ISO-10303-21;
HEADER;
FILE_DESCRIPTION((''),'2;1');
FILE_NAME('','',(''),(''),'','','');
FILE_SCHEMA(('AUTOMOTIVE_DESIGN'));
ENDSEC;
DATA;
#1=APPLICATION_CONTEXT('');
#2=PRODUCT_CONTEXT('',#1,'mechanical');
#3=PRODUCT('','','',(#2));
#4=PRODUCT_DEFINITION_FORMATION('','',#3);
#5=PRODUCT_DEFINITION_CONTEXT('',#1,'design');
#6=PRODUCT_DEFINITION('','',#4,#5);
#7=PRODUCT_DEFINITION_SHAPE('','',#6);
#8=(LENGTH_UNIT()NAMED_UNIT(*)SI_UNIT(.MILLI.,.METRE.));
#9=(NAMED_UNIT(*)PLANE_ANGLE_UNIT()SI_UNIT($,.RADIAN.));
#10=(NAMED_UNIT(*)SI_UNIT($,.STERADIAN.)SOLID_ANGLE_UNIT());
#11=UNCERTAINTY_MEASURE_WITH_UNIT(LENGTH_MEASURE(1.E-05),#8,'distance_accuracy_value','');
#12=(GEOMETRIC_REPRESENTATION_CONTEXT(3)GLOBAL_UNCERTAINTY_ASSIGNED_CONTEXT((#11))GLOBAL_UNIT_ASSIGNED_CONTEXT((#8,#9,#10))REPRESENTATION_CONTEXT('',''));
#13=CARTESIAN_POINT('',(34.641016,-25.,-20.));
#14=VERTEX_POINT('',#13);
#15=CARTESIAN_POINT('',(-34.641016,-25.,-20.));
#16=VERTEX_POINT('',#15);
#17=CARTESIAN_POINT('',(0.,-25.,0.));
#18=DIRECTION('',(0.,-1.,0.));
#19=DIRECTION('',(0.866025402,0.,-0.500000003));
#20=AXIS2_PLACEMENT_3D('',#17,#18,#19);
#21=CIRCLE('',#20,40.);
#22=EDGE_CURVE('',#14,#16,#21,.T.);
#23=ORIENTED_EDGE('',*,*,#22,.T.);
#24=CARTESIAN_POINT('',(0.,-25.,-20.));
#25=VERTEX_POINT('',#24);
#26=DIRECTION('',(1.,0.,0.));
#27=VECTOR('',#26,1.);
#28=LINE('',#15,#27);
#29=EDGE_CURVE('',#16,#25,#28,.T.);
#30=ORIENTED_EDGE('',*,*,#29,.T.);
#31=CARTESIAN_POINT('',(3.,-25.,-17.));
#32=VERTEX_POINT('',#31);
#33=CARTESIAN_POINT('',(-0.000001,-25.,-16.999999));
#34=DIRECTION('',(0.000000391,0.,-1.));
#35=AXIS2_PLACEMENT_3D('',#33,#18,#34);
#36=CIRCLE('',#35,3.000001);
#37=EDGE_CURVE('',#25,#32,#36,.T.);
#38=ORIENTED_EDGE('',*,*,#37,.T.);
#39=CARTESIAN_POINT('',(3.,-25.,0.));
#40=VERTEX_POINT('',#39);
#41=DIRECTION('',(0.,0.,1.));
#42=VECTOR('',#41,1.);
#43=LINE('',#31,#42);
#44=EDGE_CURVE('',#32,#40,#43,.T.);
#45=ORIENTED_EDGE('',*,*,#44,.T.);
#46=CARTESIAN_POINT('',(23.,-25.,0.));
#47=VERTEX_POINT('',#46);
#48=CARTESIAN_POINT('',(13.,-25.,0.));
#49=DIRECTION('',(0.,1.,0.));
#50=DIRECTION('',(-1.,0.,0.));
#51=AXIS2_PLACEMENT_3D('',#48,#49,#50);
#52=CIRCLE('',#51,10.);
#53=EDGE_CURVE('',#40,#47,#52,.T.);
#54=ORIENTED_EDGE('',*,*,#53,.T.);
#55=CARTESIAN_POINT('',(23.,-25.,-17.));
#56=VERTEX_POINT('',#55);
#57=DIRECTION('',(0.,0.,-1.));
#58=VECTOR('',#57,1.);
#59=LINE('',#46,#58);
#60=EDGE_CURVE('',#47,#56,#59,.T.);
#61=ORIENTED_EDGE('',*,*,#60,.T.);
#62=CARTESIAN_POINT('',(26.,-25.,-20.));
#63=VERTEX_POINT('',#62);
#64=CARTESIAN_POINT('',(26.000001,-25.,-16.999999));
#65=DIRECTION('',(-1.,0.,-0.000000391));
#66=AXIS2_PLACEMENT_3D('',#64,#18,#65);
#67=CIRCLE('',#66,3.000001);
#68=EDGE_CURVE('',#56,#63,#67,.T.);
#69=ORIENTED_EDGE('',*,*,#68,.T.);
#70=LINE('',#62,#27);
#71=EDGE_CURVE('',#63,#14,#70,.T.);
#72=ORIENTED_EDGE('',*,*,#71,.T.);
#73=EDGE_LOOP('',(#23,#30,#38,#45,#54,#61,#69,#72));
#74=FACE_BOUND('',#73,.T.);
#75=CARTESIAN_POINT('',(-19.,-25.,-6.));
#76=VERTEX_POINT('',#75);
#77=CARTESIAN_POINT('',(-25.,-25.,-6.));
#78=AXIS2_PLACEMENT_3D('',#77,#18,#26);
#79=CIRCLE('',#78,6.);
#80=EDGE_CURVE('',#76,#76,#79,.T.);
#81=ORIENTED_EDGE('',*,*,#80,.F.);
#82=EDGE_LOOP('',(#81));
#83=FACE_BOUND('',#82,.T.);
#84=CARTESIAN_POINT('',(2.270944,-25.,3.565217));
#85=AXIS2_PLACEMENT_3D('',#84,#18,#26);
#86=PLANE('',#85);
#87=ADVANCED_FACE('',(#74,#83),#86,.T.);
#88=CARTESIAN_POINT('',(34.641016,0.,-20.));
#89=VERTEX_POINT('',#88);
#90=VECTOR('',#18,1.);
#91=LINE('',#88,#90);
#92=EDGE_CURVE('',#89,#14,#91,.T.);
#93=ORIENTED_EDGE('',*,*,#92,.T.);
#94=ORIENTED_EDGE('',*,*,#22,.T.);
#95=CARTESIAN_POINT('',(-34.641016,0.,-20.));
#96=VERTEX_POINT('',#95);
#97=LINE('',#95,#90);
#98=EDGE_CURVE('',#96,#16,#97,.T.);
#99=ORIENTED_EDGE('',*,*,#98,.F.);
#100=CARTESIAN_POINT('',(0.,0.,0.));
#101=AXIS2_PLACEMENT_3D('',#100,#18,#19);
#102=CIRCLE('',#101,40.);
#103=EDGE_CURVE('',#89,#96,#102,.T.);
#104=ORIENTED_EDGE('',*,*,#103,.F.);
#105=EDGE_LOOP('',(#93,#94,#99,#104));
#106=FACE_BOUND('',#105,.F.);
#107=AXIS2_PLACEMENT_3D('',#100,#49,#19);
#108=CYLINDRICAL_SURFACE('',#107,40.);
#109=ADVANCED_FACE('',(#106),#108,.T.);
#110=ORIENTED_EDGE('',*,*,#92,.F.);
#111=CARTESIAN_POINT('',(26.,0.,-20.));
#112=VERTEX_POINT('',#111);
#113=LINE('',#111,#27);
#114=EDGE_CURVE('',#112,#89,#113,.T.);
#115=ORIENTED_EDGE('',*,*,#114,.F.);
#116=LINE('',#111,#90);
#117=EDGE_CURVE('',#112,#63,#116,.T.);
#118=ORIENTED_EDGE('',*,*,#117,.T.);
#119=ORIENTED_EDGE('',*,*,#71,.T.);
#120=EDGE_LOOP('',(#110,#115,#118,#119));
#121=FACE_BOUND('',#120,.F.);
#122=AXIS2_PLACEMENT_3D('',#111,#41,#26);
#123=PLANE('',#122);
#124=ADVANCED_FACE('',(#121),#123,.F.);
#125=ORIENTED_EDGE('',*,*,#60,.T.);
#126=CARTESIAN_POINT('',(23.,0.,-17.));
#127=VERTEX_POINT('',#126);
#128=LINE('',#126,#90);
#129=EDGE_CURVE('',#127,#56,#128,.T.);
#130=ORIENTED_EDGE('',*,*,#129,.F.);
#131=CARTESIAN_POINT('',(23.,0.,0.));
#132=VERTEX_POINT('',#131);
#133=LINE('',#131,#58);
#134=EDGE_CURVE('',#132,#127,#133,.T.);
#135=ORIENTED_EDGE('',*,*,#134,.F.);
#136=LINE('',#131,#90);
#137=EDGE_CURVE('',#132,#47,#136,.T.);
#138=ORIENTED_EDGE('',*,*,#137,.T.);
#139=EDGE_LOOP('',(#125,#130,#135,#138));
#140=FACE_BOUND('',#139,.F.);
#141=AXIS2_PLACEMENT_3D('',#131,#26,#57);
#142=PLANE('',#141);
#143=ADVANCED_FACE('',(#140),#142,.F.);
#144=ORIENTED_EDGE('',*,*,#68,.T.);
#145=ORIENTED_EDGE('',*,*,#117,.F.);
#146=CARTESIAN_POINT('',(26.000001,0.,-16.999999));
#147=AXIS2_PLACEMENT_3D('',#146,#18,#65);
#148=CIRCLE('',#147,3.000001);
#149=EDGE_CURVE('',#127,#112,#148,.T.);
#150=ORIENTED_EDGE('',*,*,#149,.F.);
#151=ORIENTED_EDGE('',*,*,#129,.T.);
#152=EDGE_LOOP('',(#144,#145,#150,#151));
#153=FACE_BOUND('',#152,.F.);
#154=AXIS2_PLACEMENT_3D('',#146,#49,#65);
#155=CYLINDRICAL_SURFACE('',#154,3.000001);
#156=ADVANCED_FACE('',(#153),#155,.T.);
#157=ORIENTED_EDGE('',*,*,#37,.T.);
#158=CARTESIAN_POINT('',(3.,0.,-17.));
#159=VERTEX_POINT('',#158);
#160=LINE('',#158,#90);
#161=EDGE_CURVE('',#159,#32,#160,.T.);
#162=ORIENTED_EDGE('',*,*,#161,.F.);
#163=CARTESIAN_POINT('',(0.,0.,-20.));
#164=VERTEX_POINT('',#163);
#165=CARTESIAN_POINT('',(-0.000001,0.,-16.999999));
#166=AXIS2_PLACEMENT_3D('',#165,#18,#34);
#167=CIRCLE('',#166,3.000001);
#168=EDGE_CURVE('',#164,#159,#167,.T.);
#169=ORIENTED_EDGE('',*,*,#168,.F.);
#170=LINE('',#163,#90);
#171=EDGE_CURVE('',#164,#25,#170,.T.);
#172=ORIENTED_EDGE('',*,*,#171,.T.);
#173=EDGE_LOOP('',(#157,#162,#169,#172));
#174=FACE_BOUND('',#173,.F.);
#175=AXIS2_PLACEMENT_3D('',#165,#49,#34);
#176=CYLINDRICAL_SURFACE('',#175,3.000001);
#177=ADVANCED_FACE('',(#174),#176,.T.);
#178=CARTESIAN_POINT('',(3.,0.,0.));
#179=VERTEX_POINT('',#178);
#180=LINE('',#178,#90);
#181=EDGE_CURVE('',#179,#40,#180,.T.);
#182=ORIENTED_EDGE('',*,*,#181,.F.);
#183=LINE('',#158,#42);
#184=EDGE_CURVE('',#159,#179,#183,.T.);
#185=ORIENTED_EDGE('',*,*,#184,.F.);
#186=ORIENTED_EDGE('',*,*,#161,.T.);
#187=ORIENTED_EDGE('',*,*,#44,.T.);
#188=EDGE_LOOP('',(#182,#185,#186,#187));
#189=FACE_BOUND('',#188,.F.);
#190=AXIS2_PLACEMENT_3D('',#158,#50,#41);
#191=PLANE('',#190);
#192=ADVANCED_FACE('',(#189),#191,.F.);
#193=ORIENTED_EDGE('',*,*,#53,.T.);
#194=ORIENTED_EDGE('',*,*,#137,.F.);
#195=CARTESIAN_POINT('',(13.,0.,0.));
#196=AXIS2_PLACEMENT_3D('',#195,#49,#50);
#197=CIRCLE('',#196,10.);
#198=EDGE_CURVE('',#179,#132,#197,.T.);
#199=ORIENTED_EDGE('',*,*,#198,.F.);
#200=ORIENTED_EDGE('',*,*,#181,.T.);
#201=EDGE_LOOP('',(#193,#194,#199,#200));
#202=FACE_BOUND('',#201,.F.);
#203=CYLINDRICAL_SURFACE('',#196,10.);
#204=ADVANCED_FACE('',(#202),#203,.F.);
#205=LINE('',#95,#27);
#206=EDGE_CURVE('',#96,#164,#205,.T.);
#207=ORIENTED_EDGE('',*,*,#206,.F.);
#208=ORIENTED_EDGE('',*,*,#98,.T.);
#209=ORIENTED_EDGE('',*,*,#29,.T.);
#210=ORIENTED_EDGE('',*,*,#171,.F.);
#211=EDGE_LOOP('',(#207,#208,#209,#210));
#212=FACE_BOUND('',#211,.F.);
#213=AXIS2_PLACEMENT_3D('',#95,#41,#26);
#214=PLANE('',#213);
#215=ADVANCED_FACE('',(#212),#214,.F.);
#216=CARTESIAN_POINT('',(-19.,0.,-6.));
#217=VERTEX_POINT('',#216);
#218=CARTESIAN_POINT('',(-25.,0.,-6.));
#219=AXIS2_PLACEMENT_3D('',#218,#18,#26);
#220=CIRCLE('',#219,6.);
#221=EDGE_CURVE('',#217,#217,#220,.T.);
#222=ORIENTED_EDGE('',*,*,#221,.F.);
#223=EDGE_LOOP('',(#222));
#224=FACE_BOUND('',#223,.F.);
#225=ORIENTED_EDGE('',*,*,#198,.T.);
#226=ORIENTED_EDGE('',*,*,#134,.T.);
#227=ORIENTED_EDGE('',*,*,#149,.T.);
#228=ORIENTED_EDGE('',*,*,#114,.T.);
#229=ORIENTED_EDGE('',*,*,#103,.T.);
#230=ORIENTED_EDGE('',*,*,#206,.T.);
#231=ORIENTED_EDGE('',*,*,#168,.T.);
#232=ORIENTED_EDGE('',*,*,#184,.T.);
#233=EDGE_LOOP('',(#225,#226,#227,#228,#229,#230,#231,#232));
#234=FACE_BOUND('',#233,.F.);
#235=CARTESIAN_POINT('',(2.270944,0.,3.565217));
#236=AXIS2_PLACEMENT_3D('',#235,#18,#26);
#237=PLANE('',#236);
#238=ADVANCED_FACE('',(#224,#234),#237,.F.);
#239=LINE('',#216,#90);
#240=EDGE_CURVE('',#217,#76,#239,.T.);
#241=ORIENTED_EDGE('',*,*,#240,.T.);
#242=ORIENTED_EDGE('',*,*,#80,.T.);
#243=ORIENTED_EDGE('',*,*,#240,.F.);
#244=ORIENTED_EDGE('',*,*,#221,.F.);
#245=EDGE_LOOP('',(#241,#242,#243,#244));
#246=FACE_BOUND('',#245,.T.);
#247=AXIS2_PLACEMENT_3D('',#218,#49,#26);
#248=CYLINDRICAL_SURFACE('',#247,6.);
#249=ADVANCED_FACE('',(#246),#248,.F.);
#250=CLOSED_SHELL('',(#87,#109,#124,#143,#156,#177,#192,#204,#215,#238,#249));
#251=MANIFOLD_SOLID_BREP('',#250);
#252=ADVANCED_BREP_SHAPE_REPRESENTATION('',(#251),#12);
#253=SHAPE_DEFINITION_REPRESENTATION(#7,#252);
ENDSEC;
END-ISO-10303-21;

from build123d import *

# Parameters (mm, degrees)
F0_R     = 6
F1_DEPTH = 25


with BuildPart() as f1:
    # F0 (on Front) → F1 (new body)
    with BuildSketch(Plane.XZ):
        with BuildLine():
            Line((26, -20), (34.641016, -20))
            ThreePointArc((34.641016, -20), (0, 40), (-34.641016, -20))
            Line((-34.641016, -20), (-23.449086, -20))
            Line((-23.449086, -20), (0, -20))
            ThreePointArc((0, -20), (2.12132, -19.12132), (3, -17))
            Line((3, -17), (3, 0))
            ThreePointArc((3, 0), (13, 10), (23, 0))
            Line((23, 0), (23, -17))
            ThreePointArc((23, -17), (23.87868, -19.12132), (26, -20))
        make_face()
        with Locations((-25, -6)):
            Circle(F0_R, mode=Mode.SUBTRACT)
    extrude(amount=F1_DEPTH)


solid = f1.part
